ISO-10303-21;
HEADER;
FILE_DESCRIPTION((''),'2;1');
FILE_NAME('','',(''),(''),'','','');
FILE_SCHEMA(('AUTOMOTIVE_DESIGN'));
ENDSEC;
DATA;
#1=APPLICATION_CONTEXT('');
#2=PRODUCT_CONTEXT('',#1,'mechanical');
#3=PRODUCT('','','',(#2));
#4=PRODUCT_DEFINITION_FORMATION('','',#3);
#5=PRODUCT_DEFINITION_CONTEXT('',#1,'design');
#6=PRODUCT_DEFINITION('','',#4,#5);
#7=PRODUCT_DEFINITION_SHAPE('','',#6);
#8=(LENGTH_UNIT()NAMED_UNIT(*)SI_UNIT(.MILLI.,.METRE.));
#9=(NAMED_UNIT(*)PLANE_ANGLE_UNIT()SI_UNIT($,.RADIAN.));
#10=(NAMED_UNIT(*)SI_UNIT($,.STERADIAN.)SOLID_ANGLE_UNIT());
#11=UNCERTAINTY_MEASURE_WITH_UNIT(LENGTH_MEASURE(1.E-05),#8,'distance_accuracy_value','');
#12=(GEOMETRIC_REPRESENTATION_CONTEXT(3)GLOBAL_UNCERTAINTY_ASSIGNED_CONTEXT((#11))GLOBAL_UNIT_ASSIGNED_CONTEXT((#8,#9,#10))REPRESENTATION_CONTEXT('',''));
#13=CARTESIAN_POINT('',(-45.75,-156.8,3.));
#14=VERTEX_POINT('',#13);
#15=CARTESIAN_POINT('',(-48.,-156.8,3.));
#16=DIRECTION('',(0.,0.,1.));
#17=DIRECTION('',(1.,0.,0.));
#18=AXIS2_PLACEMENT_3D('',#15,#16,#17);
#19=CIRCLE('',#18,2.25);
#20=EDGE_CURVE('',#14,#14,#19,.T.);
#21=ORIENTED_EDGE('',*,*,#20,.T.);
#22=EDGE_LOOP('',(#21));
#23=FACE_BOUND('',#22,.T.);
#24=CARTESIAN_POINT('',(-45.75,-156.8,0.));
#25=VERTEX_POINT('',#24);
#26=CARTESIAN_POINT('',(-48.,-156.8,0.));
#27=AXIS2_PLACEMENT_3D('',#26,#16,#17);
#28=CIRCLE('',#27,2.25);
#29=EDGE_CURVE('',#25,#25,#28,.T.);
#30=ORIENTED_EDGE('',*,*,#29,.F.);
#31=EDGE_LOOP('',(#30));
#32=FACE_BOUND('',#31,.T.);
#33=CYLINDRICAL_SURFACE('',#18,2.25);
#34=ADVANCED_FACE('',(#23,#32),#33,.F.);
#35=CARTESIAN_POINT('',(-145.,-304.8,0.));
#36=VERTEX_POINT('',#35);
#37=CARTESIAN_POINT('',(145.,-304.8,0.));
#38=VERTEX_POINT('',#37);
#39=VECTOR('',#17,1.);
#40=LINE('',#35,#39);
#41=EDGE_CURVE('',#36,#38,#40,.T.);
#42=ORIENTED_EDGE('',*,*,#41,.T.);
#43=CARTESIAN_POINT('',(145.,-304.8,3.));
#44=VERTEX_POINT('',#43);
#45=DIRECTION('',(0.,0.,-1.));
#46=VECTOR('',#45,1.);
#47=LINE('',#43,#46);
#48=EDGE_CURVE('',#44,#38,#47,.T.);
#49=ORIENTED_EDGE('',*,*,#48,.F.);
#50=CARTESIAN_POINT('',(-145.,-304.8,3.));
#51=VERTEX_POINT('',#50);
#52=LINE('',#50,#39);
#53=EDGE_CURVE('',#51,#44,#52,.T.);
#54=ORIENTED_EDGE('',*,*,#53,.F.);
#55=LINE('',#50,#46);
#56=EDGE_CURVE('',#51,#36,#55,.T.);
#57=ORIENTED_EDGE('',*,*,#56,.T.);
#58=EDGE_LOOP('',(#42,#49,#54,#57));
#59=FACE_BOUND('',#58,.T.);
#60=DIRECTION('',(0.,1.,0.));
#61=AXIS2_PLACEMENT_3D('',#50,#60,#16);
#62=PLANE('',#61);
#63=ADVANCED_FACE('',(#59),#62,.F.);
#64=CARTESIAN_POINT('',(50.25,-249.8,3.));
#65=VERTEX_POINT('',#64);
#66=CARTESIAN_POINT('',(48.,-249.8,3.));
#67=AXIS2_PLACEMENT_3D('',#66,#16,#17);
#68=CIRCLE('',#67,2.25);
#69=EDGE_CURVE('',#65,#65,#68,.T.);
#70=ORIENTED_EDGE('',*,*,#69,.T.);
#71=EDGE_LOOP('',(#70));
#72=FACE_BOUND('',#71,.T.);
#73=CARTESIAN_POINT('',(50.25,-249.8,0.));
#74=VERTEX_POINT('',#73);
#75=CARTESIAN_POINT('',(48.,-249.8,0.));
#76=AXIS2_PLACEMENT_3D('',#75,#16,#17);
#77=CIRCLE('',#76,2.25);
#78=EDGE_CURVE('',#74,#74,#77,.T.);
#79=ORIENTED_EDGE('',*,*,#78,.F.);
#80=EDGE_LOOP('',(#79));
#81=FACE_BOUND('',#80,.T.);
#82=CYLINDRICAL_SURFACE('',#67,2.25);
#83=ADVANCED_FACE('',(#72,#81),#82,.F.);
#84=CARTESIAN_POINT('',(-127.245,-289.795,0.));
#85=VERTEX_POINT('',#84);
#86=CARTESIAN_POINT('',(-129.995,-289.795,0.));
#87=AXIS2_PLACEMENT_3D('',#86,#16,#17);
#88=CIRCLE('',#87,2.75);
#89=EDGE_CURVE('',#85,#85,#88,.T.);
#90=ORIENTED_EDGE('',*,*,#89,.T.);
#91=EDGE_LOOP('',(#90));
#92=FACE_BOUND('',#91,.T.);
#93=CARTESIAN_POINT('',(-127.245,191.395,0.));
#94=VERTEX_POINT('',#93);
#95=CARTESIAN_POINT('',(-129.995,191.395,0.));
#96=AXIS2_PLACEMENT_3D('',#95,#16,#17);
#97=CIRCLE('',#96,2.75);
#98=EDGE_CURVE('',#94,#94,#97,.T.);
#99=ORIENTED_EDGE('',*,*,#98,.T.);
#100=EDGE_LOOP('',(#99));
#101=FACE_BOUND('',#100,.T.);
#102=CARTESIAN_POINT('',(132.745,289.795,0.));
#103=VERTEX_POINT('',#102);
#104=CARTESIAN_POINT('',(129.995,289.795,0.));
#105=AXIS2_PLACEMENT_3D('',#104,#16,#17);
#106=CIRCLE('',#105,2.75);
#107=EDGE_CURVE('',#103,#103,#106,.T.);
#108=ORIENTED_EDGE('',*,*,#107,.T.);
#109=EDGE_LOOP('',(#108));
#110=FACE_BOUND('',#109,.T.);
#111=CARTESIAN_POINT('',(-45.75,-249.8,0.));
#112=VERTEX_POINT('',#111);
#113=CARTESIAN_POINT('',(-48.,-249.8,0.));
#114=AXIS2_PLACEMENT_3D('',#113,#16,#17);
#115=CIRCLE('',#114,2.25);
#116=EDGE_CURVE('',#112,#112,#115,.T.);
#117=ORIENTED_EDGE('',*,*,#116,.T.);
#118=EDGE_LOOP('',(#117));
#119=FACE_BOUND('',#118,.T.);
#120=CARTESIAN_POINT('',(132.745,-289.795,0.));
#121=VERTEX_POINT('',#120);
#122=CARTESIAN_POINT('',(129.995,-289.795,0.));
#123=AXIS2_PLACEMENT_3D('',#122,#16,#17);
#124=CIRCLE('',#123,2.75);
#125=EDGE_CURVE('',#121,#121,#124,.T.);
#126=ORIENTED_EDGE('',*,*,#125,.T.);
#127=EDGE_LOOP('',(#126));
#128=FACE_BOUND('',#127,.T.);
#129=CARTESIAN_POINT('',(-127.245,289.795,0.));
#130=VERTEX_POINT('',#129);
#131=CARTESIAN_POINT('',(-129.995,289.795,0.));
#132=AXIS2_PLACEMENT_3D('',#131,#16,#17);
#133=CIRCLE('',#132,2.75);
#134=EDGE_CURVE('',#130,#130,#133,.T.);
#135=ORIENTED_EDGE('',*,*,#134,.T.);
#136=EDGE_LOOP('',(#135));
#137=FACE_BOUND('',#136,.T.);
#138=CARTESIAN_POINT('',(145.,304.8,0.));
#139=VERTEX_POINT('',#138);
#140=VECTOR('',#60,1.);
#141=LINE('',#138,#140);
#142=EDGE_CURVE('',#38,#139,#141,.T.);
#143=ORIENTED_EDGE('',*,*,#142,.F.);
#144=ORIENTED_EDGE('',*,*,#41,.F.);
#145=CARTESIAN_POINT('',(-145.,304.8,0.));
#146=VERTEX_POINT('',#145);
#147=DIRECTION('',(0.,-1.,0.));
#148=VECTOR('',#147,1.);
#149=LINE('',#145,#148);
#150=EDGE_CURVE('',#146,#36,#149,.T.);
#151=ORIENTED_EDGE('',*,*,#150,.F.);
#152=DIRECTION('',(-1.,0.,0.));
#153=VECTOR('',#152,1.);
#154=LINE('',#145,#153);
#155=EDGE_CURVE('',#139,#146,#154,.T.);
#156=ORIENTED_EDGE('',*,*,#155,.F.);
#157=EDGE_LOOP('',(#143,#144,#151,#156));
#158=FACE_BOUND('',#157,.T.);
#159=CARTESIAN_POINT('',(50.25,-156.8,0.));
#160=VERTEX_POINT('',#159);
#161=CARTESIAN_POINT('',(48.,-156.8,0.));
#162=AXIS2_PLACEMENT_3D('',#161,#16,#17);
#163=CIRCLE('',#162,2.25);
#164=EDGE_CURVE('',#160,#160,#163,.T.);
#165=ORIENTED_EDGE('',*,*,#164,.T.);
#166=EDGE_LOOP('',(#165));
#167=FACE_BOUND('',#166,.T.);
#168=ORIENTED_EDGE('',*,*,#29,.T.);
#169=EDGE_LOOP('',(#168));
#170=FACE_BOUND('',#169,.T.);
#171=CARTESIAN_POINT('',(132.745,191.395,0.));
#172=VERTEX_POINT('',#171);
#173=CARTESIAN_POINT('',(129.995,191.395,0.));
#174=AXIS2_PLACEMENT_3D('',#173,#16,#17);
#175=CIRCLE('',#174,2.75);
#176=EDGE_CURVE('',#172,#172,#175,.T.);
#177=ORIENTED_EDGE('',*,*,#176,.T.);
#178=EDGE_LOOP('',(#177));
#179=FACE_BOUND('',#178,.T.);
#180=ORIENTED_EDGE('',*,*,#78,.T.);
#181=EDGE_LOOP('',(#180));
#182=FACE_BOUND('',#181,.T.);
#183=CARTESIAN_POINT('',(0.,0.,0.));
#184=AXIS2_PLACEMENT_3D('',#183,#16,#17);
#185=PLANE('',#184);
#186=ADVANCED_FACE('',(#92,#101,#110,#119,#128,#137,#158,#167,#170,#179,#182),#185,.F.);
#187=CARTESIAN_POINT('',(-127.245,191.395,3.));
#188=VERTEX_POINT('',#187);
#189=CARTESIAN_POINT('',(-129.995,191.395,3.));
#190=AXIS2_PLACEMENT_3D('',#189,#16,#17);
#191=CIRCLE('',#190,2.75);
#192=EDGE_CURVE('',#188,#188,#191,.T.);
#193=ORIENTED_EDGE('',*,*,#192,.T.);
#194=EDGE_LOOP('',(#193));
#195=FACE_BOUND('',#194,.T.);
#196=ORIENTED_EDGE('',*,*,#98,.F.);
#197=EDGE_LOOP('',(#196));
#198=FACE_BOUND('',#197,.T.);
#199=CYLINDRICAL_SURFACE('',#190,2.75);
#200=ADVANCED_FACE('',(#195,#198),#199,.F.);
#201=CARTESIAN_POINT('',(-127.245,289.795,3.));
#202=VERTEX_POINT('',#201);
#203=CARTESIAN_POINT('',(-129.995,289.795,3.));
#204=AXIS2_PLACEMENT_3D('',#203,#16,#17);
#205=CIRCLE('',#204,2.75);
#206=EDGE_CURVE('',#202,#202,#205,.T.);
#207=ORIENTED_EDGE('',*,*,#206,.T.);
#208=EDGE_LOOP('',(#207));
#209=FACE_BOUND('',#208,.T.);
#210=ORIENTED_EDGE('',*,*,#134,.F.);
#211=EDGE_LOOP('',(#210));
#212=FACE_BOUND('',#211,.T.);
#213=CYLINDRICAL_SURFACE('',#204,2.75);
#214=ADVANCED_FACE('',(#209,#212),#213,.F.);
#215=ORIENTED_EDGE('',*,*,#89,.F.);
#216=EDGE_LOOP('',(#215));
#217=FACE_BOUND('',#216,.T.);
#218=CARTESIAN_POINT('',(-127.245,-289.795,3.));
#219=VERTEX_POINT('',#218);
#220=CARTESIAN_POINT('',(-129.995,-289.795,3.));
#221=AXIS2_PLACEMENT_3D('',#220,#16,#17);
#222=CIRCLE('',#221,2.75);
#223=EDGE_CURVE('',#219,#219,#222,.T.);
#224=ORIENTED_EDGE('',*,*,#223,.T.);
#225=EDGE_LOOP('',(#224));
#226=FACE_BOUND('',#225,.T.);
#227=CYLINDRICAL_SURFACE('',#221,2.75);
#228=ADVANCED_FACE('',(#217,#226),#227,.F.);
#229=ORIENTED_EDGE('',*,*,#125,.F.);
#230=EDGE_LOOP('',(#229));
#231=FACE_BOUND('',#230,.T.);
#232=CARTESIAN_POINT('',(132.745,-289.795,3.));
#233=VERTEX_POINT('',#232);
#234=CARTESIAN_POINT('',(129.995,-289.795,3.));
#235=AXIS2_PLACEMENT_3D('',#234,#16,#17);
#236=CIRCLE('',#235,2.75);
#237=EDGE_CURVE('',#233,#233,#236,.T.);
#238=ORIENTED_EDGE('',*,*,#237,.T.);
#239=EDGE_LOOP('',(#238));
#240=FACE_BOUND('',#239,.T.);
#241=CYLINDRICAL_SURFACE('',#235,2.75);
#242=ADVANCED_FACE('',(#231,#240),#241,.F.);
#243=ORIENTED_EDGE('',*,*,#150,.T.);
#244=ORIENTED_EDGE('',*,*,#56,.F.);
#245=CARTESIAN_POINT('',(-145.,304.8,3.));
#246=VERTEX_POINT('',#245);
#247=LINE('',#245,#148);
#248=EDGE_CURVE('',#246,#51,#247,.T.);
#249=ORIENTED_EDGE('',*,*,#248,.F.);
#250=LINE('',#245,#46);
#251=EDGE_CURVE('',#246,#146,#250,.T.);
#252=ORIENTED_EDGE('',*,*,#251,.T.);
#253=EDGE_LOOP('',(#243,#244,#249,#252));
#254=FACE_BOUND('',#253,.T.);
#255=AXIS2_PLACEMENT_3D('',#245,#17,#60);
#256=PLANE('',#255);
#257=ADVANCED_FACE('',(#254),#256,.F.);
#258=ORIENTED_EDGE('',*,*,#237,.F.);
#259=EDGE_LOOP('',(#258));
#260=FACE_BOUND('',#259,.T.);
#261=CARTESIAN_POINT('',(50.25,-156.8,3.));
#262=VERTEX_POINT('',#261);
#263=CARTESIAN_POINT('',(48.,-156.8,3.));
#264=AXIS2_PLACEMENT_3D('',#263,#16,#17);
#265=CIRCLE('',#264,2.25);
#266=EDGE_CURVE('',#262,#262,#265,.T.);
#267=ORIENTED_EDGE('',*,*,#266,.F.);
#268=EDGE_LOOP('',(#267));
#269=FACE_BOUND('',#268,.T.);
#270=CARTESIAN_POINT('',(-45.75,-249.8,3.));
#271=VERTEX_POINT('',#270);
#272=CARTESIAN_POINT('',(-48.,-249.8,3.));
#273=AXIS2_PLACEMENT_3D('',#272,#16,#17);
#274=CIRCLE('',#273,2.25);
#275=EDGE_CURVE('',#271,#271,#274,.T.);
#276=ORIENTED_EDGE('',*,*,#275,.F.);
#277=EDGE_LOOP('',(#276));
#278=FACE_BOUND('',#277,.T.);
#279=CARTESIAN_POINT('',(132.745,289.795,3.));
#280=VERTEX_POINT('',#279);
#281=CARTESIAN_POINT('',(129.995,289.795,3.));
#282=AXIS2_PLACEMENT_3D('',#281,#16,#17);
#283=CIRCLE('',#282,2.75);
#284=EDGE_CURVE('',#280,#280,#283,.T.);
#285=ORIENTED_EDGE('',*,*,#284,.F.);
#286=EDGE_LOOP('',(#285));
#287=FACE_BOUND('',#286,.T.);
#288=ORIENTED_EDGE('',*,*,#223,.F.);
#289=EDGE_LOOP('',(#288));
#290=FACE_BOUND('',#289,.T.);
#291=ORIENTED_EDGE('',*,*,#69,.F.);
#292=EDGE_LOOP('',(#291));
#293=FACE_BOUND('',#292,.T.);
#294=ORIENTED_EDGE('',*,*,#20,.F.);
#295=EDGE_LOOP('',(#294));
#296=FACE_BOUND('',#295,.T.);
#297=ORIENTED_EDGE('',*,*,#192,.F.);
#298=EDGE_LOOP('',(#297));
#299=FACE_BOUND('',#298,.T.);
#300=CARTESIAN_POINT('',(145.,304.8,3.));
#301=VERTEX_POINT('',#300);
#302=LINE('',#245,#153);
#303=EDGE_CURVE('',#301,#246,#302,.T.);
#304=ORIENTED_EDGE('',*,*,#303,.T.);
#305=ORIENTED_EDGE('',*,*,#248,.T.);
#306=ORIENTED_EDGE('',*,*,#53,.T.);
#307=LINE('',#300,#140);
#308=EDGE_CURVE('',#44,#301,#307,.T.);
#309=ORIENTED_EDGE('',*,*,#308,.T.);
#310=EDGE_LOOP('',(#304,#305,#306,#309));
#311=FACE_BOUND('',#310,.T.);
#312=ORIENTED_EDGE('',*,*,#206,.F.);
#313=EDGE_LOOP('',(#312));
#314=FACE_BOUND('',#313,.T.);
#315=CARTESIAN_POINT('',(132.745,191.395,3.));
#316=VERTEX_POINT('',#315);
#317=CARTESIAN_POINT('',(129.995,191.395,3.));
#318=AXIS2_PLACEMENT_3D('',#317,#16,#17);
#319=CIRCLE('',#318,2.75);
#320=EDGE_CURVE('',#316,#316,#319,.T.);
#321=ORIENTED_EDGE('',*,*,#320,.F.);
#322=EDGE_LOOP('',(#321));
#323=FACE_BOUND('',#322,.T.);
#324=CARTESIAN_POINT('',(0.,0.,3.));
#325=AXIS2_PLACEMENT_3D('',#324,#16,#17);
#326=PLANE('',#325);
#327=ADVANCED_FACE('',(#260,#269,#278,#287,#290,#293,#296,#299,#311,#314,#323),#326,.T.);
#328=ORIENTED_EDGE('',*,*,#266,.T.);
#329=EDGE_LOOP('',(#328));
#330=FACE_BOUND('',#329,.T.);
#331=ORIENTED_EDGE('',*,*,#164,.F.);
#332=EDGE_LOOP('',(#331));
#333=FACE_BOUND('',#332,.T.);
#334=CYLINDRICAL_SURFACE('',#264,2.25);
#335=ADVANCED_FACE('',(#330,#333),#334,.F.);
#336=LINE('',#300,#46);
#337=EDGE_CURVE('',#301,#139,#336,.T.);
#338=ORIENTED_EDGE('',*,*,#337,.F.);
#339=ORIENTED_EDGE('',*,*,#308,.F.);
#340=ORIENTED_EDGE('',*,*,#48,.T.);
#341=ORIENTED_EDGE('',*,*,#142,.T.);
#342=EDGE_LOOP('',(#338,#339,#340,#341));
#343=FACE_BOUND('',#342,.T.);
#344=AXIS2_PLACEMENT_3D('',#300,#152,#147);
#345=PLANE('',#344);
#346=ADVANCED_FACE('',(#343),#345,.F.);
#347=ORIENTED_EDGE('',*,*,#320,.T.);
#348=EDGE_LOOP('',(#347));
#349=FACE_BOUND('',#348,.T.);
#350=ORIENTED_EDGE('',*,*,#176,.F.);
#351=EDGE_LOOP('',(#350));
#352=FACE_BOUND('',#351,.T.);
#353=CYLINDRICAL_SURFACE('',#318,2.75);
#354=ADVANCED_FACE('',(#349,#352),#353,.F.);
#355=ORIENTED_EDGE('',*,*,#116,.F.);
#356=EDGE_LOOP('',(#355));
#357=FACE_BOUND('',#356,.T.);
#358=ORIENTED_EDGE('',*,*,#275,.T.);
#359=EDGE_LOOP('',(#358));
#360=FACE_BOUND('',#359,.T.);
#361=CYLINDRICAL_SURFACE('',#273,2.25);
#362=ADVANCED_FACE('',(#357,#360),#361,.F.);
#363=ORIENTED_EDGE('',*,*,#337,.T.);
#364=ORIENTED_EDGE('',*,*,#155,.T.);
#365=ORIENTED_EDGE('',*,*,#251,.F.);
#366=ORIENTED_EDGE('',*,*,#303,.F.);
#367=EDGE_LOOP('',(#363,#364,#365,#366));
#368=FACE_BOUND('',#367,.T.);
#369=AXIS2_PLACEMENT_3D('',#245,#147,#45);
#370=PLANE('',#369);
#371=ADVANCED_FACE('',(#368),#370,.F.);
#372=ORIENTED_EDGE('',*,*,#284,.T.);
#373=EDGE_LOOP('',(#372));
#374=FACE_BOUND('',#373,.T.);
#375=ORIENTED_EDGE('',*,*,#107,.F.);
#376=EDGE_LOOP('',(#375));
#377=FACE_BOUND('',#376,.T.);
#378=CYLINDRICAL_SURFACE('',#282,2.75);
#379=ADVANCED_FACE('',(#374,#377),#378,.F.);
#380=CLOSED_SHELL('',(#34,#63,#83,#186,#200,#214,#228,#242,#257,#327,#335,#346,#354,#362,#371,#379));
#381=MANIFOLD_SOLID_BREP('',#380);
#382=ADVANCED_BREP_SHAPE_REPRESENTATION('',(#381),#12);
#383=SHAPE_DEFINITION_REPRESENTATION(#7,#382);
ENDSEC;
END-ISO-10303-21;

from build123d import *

# Parameters (mm, degrees)
SKETCH1_W            = 290
SKETCH1_H            = 609.6
BOSS_EXTRUDE1_DEPTH  = 3
M5_CLEARANCE_HOLE1_D = 5.5
M4_CLEARANCE_HOLE1_D = 4.5


with BuildPart() as part:
    # Sketch1 → Boss-Extrude1 (new body)
    with BuildSketch(Plane.XY):
        Rectangle(SKETCH1_W, SKETCH1_H)
    extrude(amount=BOSS_EXTRUDE1_DEPTH)

    # M5 Clearance Hole1 (through all)
    with Locations(Plane.XY.offset(3)):
        with Locations((129.995, 289.795), (-129.995, 289.795), (-129.995, -289.795), (129.995, -289.795), (129.995, 191.395), (-129.995, 191.395)):
            Hole(M5_CLEARANCE_HOLE1_D / 2)

    # M4 Clearance Hole1 (through all)
    with Locations(Plane.XY.offset(3)):
        with Locations((-48, -156.8), (-48, -249.8), (48, -249.8), (48, -156.8)):
            Hole(M4_CLEARANCE_HOLE1_D / 2)


solid = part.part
